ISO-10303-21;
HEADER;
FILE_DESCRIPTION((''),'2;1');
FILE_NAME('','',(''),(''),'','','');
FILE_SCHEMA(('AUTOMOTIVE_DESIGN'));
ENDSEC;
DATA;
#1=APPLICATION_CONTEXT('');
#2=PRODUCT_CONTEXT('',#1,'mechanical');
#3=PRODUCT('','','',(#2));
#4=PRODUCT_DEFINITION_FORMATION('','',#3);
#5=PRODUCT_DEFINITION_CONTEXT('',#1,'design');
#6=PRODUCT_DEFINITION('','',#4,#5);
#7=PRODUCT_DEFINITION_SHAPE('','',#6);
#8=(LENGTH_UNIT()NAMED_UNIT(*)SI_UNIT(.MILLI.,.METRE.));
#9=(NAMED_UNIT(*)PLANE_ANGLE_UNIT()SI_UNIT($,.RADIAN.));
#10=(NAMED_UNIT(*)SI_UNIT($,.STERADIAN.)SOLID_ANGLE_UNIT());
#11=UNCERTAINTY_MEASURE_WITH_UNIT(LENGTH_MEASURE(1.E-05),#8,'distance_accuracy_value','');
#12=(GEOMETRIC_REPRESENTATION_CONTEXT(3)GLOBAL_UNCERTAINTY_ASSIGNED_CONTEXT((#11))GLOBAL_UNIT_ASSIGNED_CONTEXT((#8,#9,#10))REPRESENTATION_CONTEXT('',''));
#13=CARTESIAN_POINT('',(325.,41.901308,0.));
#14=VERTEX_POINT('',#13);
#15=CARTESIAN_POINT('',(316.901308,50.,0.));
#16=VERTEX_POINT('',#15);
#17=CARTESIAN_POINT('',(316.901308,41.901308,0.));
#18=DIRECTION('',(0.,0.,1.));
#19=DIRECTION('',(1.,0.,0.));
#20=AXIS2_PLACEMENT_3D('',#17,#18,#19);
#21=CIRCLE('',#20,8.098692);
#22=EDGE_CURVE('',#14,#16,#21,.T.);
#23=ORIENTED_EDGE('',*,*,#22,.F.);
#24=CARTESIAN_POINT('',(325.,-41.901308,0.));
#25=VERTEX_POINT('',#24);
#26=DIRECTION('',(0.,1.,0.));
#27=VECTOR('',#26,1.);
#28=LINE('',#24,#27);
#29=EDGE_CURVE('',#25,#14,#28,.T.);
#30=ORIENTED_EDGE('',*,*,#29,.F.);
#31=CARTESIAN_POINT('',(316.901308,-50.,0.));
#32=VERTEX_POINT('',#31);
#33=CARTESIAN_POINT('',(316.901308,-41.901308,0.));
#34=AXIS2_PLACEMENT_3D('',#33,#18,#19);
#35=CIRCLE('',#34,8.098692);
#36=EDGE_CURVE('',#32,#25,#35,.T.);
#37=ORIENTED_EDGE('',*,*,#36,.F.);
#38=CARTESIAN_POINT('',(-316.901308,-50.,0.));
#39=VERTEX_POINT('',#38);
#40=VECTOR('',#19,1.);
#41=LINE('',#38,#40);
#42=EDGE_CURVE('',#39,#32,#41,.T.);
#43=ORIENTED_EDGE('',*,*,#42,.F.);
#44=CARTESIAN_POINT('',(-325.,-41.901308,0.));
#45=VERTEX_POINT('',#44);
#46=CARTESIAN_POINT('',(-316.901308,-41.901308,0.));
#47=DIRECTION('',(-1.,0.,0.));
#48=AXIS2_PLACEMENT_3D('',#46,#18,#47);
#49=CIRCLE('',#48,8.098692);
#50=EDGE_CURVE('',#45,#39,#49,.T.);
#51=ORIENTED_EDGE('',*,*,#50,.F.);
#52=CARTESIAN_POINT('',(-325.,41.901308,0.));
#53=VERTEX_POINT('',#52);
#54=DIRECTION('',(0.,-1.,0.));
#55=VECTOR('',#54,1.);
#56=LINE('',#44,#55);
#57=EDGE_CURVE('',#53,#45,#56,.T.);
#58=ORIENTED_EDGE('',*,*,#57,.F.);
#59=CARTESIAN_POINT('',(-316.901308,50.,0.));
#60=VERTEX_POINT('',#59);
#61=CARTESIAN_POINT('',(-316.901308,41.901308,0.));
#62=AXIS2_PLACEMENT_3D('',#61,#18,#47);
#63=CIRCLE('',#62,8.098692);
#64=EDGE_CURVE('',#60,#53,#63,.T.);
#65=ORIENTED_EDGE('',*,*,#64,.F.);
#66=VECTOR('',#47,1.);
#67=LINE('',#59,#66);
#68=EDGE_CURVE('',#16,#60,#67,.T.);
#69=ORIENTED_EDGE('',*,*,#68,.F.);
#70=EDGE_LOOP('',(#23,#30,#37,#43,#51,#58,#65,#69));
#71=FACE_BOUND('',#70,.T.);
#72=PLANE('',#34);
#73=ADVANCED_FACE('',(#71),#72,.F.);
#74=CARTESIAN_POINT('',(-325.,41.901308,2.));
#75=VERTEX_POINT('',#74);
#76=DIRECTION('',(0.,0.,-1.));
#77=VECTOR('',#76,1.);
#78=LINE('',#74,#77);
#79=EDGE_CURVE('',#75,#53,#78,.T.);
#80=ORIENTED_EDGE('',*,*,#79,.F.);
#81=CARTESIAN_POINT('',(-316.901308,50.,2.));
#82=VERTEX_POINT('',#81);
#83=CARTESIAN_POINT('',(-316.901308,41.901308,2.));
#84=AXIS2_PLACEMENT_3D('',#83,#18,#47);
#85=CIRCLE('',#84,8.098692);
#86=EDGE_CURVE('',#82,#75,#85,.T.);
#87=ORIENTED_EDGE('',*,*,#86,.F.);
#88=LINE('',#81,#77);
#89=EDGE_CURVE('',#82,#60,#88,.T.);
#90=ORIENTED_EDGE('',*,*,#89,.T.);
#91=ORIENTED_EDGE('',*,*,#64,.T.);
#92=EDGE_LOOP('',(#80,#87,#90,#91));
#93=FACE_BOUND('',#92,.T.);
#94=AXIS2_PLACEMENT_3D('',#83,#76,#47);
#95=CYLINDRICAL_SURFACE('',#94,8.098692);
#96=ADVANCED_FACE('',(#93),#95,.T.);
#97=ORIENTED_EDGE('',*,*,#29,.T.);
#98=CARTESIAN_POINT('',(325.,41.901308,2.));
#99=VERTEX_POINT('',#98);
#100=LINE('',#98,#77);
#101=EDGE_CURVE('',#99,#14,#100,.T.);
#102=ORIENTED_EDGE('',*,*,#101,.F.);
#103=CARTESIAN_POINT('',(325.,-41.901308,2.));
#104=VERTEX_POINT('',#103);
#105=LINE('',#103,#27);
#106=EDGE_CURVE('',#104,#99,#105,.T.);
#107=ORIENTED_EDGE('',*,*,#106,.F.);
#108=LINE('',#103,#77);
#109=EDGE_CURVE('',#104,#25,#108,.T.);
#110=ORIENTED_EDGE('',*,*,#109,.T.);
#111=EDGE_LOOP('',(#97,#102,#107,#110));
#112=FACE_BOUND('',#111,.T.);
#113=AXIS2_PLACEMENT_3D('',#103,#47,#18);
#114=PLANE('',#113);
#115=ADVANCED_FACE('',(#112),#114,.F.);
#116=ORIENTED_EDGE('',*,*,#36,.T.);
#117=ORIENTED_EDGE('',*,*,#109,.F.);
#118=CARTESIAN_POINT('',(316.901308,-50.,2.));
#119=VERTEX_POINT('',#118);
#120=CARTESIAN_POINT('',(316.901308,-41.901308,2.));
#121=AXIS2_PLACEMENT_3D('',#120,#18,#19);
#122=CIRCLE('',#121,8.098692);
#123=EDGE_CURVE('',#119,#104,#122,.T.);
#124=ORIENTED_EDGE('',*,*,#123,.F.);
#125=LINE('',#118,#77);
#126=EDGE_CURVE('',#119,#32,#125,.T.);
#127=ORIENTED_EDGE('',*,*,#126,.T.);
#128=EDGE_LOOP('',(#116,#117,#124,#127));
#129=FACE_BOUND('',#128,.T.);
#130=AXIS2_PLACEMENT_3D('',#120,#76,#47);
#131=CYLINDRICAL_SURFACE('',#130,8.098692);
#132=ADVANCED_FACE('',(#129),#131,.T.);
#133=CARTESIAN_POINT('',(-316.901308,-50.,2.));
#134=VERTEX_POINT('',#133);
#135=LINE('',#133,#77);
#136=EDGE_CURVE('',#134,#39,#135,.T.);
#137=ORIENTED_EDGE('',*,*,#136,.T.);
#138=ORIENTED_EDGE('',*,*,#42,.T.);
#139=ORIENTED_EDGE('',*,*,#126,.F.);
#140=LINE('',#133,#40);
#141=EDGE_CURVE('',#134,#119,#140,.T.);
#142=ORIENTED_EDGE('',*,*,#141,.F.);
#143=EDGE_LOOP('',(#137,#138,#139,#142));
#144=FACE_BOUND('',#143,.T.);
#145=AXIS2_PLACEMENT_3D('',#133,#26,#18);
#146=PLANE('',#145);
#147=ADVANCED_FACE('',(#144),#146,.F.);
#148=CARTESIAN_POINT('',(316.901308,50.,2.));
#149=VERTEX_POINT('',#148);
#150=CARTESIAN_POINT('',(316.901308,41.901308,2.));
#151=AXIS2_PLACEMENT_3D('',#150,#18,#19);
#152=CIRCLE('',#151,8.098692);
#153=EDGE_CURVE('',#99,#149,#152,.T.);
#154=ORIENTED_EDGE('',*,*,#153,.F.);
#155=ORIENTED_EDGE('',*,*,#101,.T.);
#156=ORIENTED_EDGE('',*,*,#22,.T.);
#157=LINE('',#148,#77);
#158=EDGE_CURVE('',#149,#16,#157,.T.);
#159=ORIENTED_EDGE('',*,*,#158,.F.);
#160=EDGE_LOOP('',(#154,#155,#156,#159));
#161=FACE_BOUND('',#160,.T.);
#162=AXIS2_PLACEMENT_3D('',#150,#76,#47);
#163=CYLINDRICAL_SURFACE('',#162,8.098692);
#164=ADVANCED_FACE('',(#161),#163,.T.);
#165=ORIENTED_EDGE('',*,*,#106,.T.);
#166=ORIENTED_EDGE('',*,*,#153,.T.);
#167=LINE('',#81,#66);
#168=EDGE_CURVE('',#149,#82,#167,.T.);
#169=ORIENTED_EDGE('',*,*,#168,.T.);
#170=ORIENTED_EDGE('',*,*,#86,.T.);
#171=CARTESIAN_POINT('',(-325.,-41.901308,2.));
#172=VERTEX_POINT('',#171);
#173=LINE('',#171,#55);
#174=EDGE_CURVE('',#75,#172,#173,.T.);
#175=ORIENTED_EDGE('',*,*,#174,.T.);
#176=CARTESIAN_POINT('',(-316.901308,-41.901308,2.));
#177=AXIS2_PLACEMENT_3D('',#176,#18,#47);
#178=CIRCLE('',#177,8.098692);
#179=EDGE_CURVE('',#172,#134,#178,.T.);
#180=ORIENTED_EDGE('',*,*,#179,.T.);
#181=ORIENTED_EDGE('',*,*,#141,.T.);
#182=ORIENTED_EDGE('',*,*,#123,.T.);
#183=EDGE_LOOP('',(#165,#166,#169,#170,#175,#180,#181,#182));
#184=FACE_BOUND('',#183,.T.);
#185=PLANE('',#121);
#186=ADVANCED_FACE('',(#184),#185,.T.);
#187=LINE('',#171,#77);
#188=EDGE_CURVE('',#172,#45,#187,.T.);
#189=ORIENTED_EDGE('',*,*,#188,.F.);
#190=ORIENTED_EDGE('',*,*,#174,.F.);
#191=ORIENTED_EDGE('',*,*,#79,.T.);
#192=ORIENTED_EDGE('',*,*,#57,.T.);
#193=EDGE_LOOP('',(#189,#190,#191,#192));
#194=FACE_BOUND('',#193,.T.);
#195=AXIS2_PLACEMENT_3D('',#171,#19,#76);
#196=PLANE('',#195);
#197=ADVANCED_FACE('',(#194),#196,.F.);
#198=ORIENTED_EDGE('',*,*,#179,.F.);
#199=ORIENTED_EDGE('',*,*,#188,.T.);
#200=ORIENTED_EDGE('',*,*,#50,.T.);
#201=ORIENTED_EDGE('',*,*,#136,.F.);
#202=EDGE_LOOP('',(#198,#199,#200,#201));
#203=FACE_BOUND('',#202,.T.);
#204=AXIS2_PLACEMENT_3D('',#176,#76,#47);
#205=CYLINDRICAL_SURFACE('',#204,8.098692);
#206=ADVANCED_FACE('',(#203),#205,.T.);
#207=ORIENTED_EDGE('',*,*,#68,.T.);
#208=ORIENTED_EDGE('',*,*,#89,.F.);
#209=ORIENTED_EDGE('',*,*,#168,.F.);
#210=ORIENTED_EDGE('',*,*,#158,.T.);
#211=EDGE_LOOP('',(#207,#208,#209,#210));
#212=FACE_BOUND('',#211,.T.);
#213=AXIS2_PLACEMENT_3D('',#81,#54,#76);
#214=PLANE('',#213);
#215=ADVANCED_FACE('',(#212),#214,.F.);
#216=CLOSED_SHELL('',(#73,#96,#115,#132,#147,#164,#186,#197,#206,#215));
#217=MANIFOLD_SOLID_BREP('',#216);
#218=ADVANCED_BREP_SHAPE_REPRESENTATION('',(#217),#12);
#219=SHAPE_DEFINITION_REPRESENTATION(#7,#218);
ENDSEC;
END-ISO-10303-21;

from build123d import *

# Parameters (mm, degrees)
BOSS_EXTRUDE1_DEPTH = 2


with BuildPart() as part:
    # Sketch1 → Boss-Extrude1 (new body)
    with BuildSketch(Plane.XY):
        with BuildLine():
            Line((-316.901308233, -50), (316.901308233, -50))
            ThreePointArc((316.901308233, -50), (322.6279481, -47.6279481), (325, -41.901308233))
            Line((325, -41.901308233), (325, 41.901308233))
            ThreePointArc((325, 41.901308233), (322.6279481, 47.6279481), (316.901308233, 50))
            Line((316.901308233, 50), (-316.901308233, 50))
            ThreePointArc((-316.901308233, 50), (-322.6279481, 47.6279481), (-325, 41.901308233))
            Line((-325, 41.901308233), (-325, -41.901308233))
            ThreePointArc((-325, -41.901308233), (-322.6279481, -47.6279481), (-316.901308233, -50))
        make_face()
    extrude(amount=BOSS_EXTRUDE1_DEPTH)


solid = part.part
